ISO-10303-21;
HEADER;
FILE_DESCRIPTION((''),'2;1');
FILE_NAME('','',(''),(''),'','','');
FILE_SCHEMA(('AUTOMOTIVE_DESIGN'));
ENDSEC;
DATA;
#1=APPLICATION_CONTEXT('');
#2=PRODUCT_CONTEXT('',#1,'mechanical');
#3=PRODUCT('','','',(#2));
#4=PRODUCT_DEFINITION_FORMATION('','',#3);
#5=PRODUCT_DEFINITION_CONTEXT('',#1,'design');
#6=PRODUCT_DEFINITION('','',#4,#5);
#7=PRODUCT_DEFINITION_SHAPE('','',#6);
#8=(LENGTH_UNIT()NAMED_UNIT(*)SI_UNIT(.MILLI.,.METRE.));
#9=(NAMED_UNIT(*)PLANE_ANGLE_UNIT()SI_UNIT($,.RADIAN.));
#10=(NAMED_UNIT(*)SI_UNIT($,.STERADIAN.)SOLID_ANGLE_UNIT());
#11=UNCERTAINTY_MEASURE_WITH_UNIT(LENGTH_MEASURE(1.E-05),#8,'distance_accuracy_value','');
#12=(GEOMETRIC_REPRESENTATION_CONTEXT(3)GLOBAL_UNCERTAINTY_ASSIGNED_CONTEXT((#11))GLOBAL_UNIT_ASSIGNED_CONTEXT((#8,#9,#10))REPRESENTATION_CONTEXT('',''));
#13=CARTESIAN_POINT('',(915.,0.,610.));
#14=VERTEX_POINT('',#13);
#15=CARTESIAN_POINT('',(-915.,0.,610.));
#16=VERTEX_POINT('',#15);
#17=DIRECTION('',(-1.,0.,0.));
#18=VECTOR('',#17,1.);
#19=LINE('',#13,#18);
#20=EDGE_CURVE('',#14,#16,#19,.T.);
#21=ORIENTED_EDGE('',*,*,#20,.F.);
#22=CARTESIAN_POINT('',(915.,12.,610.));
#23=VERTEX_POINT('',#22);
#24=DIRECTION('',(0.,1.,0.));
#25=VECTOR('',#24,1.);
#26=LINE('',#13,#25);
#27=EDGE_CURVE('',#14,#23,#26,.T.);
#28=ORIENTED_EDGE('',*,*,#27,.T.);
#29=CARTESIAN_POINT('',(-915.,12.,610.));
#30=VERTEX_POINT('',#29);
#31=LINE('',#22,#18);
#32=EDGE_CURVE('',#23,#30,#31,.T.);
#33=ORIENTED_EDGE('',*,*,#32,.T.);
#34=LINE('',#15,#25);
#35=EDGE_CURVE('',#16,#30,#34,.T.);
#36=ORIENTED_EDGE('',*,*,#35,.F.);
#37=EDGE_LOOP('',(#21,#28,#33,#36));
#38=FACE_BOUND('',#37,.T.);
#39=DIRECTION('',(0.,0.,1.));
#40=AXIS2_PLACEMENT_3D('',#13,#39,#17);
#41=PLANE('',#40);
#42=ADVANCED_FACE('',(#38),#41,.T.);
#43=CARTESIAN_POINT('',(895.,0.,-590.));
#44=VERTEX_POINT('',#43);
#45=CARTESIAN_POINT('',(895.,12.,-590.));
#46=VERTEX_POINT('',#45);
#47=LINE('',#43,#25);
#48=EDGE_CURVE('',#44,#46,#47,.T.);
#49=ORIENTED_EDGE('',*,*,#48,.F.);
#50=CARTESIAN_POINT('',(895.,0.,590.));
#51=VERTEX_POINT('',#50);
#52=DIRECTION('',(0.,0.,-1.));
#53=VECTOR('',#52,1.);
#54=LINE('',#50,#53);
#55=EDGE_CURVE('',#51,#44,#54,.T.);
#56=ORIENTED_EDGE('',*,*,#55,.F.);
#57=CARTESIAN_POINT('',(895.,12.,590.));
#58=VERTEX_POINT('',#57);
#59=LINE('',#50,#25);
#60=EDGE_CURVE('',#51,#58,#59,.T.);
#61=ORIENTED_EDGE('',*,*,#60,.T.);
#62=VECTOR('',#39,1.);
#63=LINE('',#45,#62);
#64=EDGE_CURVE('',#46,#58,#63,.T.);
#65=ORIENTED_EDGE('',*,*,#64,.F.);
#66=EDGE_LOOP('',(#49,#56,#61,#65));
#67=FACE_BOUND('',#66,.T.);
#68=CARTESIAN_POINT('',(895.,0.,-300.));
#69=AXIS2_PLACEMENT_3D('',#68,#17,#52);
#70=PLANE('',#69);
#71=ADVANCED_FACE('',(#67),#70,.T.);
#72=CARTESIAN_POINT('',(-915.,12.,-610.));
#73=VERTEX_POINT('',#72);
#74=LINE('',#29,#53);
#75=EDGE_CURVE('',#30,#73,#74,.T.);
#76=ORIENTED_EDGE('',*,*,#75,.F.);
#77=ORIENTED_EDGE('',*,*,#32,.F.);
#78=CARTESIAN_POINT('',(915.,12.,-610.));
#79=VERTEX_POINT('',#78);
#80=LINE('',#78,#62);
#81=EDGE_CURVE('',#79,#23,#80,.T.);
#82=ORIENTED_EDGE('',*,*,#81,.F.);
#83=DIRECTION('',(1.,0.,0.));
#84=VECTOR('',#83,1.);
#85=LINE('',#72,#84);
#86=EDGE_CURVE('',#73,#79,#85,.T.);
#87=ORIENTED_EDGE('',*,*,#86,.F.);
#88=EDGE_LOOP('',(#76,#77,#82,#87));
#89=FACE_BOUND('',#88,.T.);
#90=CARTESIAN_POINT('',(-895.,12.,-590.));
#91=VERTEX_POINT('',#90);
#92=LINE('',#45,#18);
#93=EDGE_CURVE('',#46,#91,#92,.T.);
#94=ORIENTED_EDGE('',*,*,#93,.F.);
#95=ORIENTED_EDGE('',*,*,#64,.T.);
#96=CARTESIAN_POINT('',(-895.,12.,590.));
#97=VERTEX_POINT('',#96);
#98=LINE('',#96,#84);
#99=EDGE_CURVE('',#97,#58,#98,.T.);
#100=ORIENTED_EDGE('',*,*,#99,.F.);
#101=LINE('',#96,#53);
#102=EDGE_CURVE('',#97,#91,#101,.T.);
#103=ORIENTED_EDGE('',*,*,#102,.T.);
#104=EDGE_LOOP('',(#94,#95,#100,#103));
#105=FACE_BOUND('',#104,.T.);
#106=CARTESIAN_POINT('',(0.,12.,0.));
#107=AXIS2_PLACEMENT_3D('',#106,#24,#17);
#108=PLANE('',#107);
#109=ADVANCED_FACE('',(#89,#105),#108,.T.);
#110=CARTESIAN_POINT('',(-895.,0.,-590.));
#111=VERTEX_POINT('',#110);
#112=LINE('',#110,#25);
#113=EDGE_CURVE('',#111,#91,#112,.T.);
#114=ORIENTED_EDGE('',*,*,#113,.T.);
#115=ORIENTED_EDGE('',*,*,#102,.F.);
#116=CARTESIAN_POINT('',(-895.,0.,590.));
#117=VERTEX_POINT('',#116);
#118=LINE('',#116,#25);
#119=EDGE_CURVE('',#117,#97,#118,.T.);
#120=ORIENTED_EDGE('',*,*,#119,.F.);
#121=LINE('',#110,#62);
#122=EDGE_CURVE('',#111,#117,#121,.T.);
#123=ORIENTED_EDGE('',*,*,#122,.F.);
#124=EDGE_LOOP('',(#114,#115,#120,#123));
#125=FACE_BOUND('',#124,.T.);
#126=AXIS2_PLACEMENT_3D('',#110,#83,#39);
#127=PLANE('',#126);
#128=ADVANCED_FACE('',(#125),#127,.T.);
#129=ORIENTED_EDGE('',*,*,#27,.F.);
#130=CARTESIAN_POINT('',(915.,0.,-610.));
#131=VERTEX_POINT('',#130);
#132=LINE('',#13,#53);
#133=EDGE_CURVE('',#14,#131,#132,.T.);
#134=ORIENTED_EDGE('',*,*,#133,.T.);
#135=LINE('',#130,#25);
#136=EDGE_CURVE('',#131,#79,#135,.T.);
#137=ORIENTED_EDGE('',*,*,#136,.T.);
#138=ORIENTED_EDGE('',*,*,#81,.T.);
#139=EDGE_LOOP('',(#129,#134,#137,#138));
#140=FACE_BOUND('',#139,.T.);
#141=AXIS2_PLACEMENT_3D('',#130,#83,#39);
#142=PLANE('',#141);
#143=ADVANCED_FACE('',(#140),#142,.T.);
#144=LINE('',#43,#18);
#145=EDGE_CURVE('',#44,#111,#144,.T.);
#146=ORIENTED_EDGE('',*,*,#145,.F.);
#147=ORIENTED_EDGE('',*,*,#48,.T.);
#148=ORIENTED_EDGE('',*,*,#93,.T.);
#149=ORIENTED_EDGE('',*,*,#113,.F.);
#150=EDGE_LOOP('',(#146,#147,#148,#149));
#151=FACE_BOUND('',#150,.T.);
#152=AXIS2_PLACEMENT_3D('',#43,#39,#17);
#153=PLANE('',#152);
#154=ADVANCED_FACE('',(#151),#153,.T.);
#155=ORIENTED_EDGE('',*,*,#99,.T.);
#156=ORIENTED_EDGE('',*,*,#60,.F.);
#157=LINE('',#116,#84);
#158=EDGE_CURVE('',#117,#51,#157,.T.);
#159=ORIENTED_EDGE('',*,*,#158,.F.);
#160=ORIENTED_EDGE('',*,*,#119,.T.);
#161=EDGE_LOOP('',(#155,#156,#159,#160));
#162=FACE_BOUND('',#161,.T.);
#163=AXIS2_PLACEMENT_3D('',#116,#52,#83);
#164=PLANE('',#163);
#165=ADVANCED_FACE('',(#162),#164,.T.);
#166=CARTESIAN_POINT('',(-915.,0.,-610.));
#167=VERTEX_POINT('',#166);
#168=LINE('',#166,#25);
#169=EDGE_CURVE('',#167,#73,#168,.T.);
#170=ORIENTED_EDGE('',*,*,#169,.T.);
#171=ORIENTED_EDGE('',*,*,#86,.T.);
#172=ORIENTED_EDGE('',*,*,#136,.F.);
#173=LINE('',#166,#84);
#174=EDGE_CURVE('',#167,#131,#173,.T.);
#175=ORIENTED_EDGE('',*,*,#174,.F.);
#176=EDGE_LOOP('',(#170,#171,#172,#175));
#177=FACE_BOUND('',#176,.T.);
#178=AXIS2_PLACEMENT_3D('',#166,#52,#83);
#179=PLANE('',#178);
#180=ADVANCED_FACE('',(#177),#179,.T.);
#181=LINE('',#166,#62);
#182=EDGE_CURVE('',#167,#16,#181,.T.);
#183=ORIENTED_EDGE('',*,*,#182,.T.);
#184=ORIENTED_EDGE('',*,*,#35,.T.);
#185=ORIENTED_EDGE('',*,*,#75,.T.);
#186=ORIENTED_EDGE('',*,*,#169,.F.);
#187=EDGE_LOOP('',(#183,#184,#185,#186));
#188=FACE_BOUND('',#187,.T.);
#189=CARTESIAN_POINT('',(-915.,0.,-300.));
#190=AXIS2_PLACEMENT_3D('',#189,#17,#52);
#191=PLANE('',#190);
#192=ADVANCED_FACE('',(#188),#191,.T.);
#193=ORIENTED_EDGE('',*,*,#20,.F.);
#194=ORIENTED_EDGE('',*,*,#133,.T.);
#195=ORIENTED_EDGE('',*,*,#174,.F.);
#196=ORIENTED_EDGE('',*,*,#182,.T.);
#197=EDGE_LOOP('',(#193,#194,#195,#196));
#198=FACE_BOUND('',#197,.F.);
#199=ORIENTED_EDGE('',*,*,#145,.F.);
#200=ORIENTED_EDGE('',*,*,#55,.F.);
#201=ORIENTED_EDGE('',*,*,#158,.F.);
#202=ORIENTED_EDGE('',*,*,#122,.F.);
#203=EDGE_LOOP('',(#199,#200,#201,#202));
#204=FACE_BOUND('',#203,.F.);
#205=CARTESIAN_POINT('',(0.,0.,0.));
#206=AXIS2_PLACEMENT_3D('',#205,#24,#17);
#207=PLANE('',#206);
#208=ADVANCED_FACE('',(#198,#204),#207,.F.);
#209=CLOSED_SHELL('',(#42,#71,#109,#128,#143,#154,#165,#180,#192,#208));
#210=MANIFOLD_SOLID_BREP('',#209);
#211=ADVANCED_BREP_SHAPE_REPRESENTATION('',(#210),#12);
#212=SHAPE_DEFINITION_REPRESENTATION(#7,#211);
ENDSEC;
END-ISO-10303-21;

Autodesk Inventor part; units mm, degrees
ref_plane "YZ Plane" through (0, 0, 0) normal (1, 0, 0) x (0, 1, 0)
ref_plane "XZ Plane" through (0, 0, 0) normal (0, 1, 0) x (-1, 0, 0)
ref_plane "XY Plane" through (0, 0, 0) normal (0, 0, 1) x (1, 0, 0)
sketch "Эскиз1" plane through (0, 0, 0) normal (0, 1, 0) x (-1, 0, 0)
  line L0 (915, -610) -> (-915, -610)
  line L1 (-915, -610) -> (-915, 610)
  line L2 (-915, 610) -> (915, 610)
  line L3 (915, 610) -> (915, -610)
  line L4 (0, -610) -> (0, 610) construction
  line L5 (915, 0) -> (-915, 0) construction
  line L6 (-895, -590) -> (895, -590)
  line L7 (895, -590) -> (895, 590)
  line L8 (895, 590) -> (-895, 590)
  line L9 (-895, 590) -> (-895, -590)
  line L10 (895, -300) -> (915, -300)
  line L11 (895, 300) -> (915, 300)
  line L12 (-895, -300) -> (-915, -300)
  line L13 (-895, 300) -> (-915, 300)
  line L14 (-895, -450) -> (-595, -450)
  line L15 (-595, -450) -> (-595, 450)
  line L16 (-595, 450) -> (-895, 450)
  line L17 (-895, 430) -> (-615, 430)
  line L18 (-615, 430) -> (-615, -430)
  line L19 (-615, -430) -> (-895, -430)
  line L20 (895, -450) -> (595, -450)
  line L21 (595, -450) -> (595, 450)
  line L22 (595, 450) -> (895, 450)
  line L23 (895, 430) -> (615, 430)
  line L24 (615, 430) -> (615, -430)
  line L25 (615, -430) -> (895, -430)
  point P0 (0, 0)
  point P1 (0, 0)
  dimension "d0" = 1830
  dimension "d1" = 1220
  dimension "d2" = 20
  dimension "d8" = 600
  dimension "d9" = 900
  dimension "d10" = 300
  dimension "d11" = 20
extrude "Выдавливание1" add sketch "Эскиз1" along normal blind 12 contours L0 L1 L12 L9 L6 L7 L10 L3 | L10 L7 L11 L3 | L1 L13 L9 L12 | L11 L7 L8 L9 L13 L1 L2 L3
properties part number "Playing_place"
